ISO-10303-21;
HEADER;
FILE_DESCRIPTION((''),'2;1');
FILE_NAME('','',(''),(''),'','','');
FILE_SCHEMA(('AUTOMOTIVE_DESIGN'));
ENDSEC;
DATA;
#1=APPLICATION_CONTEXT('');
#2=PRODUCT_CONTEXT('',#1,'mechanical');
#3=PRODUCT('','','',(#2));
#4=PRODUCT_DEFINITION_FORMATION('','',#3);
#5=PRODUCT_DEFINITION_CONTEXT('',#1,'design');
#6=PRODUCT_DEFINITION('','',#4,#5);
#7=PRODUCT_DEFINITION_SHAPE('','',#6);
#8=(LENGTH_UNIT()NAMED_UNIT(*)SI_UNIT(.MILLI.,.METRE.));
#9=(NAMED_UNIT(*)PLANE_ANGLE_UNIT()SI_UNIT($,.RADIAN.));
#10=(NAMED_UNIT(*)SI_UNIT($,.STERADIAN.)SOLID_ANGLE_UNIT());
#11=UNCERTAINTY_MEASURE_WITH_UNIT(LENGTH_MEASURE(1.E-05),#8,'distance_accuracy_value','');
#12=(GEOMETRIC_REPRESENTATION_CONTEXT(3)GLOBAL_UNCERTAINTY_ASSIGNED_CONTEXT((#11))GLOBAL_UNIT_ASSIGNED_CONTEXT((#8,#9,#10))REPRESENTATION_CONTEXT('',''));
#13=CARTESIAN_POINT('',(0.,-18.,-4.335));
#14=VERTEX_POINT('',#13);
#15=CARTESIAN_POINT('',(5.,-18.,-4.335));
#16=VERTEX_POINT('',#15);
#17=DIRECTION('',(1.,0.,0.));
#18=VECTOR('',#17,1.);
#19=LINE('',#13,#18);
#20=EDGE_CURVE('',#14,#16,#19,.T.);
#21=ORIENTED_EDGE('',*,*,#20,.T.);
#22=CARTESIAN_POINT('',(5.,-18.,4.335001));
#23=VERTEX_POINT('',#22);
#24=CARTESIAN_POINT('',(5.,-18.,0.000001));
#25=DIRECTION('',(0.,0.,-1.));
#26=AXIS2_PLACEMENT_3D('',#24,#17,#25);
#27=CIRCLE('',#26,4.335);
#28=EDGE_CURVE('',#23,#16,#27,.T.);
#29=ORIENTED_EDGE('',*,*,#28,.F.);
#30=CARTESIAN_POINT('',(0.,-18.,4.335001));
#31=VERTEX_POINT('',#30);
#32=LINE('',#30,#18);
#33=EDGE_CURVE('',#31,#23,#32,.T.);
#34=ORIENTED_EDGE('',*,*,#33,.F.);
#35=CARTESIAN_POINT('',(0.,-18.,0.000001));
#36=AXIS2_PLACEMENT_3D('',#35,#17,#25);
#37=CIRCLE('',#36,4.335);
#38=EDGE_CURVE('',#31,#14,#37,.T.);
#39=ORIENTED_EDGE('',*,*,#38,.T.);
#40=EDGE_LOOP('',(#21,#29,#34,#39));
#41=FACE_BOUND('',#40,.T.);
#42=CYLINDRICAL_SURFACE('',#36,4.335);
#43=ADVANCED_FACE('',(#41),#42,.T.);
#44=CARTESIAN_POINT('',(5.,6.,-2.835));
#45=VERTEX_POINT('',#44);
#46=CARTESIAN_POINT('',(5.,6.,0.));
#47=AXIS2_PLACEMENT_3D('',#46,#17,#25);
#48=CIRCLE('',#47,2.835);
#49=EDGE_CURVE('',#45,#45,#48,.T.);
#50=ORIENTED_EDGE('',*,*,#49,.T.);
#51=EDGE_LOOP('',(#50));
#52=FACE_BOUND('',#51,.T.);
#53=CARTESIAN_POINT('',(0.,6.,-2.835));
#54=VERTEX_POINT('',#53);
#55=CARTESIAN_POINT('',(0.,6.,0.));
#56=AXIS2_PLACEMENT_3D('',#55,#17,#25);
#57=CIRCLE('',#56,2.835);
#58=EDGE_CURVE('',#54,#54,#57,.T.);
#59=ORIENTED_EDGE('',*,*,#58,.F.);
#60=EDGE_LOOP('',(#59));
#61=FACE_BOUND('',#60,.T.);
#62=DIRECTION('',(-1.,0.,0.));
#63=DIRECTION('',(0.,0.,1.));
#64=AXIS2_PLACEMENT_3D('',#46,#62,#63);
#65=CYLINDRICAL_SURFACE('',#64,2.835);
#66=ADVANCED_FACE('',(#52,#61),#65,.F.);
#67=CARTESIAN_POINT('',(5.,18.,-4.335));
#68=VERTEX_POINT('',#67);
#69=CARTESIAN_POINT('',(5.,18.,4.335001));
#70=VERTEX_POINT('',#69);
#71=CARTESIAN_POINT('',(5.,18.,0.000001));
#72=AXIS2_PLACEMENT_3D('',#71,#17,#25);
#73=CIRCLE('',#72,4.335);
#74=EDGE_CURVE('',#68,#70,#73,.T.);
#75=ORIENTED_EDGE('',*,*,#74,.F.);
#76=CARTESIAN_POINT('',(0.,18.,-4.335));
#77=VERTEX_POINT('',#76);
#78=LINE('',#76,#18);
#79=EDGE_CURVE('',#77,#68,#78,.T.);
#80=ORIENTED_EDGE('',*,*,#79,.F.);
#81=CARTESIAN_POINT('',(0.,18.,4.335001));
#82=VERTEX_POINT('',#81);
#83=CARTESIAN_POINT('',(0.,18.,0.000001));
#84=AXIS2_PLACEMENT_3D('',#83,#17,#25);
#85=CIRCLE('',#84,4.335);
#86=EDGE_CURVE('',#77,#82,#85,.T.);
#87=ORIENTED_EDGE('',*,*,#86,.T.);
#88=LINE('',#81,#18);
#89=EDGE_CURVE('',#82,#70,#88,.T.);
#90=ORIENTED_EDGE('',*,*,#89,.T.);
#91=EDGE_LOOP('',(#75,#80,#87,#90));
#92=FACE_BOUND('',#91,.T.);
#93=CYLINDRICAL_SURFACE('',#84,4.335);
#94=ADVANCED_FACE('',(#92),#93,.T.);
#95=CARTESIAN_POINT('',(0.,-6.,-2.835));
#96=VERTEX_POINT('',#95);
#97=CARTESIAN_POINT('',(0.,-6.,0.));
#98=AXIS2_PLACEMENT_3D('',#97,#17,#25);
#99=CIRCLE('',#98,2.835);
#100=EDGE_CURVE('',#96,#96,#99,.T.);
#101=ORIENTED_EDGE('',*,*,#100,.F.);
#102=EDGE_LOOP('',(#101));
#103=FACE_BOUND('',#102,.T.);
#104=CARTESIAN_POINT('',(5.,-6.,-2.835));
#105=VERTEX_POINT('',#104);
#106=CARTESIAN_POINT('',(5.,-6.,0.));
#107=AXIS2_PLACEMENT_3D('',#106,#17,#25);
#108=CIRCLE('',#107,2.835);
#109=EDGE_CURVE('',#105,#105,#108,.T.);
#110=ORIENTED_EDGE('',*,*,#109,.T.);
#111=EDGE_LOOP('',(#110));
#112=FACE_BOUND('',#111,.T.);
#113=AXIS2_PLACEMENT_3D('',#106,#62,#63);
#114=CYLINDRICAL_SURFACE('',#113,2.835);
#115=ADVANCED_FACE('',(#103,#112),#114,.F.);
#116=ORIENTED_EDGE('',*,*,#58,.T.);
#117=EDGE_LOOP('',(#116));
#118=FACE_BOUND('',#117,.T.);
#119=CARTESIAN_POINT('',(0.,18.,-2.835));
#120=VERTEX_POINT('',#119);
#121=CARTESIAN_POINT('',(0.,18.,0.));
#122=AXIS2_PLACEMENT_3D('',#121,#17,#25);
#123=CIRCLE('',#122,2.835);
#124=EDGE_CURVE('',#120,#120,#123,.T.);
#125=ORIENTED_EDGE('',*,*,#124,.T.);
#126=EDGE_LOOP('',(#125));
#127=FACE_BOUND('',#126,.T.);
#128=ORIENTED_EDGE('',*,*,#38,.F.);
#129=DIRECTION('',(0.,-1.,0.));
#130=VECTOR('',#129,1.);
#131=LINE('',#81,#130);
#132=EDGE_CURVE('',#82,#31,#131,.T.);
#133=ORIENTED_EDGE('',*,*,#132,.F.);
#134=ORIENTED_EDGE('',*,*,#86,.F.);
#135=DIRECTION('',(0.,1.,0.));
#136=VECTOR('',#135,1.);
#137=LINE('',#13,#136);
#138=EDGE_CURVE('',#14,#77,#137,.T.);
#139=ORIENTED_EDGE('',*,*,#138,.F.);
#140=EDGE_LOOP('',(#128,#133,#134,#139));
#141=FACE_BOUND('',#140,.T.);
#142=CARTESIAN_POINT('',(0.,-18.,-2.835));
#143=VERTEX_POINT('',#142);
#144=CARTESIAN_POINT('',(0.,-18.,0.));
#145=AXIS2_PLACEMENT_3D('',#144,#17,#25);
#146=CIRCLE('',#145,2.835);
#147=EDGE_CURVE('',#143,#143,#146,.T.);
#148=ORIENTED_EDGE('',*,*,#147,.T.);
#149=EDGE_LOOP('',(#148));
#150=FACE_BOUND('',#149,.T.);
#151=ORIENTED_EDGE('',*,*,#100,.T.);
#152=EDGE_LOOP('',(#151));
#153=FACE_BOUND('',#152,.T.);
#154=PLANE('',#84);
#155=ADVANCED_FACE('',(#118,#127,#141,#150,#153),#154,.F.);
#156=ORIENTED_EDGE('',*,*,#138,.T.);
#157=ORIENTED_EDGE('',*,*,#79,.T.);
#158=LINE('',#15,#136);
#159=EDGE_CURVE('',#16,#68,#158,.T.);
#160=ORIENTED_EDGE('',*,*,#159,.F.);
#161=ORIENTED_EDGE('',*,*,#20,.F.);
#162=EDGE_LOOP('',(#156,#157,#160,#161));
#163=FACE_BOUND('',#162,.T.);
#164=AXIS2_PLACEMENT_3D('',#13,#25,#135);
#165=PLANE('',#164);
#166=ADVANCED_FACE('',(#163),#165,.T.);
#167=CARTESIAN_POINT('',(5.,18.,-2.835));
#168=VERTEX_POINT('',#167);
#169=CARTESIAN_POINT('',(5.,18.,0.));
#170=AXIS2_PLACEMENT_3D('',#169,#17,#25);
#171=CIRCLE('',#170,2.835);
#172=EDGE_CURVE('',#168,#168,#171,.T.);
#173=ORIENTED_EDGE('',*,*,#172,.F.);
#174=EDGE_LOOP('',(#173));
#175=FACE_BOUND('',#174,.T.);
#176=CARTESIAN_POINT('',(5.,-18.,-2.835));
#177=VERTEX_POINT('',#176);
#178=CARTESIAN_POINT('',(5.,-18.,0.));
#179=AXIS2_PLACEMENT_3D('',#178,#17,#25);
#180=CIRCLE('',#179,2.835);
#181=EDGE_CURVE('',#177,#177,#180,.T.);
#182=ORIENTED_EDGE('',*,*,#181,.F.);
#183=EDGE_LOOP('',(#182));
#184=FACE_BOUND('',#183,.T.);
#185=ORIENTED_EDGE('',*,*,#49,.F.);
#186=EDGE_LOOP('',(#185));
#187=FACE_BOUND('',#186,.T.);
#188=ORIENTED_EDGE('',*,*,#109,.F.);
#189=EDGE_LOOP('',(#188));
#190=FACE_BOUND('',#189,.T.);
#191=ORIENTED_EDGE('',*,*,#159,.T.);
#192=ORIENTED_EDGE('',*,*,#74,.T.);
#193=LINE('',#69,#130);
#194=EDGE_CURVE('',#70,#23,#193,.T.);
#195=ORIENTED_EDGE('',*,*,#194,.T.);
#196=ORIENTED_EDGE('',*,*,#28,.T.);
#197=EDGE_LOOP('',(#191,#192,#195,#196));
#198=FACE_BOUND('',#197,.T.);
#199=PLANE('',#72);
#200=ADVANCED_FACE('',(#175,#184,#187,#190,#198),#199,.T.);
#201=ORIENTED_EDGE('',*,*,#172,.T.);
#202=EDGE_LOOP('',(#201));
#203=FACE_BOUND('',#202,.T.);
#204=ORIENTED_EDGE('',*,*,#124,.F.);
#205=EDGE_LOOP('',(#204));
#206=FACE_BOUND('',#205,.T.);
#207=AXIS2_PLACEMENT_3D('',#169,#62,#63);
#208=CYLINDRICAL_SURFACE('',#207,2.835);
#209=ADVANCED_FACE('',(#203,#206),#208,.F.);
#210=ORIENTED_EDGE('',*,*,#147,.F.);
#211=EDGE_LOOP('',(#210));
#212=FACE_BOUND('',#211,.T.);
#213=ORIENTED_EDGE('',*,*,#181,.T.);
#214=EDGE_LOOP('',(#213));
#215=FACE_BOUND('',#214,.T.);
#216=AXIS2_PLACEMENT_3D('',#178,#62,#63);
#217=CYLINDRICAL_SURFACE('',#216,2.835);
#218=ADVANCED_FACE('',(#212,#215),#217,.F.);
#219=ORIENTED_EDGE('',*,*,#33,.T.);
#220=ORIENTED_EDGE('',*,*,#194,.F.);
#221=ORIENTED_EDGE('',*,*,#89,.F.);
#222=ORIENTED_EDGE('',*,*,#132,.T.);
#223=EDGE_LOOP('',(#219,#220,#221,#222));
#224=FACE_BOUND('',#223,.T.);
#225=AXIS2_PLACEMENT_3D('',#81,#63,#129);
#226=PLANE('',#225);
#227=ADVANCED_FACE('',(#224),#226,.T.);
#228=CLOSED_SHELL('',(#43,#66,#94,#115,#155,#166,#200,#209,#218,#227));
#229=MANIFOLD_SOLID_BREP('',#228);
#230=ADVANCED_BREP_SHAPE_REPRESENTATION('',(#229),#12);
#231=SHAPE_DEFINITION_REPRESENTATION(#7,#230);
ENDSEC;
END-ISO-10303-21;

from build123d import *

# Parameters (mm, degrees)
SKETCH_1_R          = 2.835000467
SKETCH_1_R_2        = 2.835
EXTRUDE_1_DEPTH     = 5
CUT_EXTRUDE_START   = -5
CUT_EXTRUDE_1_DEPTH = 5


with BuildPart() as part:
    # Эскиз1 → Бобышка-Вытянуть1 (new body)
    with BuildSketch(Plane(origin=(0, 0, 0), x_dir=(0, 0, -1), z_dir=(1, 0, 0))):
        with BuildLine():
            Line((-4.835001402, 17.999999558), (-4.835001402, -18.000000151))
            ThreePointArc((-4.835001402, -18.000000151), (-9.35e-07, -22.835000618), (4.834999533, -18.000000151))
            Line((4.834999533, -18.000000151), (4.834999533, 17.999999558))
            ThreePointArc((4.834999533, 17.999999558), (-9.35e-07, 22.835000025), (-4.835001402, 17.999999558))
        make_face()
        with Locations((0, 17.999999684)):
            Circle(SKETCH_1_R, mode=Mode.SUBTRACT)
        with Locations((-3.97e-07, 5.999999684)):
            Circle(SKETCH_1_R_2, mode=Mode.SUBTRACT)
        with Locations((-4.67e-07, -6.000000151)):
            Circle(SKETCH_1_R_2, mode=Mode.SUBTRACT)
        with Locations((-4.67e-07, -18.000000151)):
            Circle(SKETCH_1_R_2, mode=Mode.SUBTRACT)
    extrude(amount=EXTRUDE_1_DEPTH)

    # Эскиз2 → Вырез-Вытянуть1 (cut)
    with BuildSketch(Plane(origin=(5, 0, 0), x_dir=(0, 0, -1), z_dir=(1, 0, 0)).offset(CUT_EXTRUDE_START)):
        with BuildLine():
            Line((-4.835001402, 17.999999558), (-4.835001402, -18.000000151))
            ThreePointArc((-4.835001402, -18.000000151), (-9.35e-07, -22.835000618), (4.834999533, -18.000000151))
            Line((4.834999533, -18.000000151), (4.834999533, 17.999999558))
            ThreePointArc((4.834999533, 17.999999558), (-9.35e-07, 22.835000025), (-4.835001402, 17.999999558))
        make_face()
        with BuildLine():
            Line((-4.335001402, 17.999999558), (-4.335001402, -18.000000151))
            ThreePointArc((-4.335001402, -18.000000151), (-9.35e-07, -22.335000618), (4.334999533, -18.000000151))
            Line((4.334999533, -18.000000151), (4.334999533, 17.999999558))
            ThreePointArc((4.334999533, 17.999999558), (-9.35e-07, 22.335000025), (-4.335001402, 17.999999558))
        make_face(mode=Mode.SUBTRACT)
    extrude(amount=CUT_EXTRUDE_1_DEPTH, mode=Mode.SUBTRACT)


solid = part.part
